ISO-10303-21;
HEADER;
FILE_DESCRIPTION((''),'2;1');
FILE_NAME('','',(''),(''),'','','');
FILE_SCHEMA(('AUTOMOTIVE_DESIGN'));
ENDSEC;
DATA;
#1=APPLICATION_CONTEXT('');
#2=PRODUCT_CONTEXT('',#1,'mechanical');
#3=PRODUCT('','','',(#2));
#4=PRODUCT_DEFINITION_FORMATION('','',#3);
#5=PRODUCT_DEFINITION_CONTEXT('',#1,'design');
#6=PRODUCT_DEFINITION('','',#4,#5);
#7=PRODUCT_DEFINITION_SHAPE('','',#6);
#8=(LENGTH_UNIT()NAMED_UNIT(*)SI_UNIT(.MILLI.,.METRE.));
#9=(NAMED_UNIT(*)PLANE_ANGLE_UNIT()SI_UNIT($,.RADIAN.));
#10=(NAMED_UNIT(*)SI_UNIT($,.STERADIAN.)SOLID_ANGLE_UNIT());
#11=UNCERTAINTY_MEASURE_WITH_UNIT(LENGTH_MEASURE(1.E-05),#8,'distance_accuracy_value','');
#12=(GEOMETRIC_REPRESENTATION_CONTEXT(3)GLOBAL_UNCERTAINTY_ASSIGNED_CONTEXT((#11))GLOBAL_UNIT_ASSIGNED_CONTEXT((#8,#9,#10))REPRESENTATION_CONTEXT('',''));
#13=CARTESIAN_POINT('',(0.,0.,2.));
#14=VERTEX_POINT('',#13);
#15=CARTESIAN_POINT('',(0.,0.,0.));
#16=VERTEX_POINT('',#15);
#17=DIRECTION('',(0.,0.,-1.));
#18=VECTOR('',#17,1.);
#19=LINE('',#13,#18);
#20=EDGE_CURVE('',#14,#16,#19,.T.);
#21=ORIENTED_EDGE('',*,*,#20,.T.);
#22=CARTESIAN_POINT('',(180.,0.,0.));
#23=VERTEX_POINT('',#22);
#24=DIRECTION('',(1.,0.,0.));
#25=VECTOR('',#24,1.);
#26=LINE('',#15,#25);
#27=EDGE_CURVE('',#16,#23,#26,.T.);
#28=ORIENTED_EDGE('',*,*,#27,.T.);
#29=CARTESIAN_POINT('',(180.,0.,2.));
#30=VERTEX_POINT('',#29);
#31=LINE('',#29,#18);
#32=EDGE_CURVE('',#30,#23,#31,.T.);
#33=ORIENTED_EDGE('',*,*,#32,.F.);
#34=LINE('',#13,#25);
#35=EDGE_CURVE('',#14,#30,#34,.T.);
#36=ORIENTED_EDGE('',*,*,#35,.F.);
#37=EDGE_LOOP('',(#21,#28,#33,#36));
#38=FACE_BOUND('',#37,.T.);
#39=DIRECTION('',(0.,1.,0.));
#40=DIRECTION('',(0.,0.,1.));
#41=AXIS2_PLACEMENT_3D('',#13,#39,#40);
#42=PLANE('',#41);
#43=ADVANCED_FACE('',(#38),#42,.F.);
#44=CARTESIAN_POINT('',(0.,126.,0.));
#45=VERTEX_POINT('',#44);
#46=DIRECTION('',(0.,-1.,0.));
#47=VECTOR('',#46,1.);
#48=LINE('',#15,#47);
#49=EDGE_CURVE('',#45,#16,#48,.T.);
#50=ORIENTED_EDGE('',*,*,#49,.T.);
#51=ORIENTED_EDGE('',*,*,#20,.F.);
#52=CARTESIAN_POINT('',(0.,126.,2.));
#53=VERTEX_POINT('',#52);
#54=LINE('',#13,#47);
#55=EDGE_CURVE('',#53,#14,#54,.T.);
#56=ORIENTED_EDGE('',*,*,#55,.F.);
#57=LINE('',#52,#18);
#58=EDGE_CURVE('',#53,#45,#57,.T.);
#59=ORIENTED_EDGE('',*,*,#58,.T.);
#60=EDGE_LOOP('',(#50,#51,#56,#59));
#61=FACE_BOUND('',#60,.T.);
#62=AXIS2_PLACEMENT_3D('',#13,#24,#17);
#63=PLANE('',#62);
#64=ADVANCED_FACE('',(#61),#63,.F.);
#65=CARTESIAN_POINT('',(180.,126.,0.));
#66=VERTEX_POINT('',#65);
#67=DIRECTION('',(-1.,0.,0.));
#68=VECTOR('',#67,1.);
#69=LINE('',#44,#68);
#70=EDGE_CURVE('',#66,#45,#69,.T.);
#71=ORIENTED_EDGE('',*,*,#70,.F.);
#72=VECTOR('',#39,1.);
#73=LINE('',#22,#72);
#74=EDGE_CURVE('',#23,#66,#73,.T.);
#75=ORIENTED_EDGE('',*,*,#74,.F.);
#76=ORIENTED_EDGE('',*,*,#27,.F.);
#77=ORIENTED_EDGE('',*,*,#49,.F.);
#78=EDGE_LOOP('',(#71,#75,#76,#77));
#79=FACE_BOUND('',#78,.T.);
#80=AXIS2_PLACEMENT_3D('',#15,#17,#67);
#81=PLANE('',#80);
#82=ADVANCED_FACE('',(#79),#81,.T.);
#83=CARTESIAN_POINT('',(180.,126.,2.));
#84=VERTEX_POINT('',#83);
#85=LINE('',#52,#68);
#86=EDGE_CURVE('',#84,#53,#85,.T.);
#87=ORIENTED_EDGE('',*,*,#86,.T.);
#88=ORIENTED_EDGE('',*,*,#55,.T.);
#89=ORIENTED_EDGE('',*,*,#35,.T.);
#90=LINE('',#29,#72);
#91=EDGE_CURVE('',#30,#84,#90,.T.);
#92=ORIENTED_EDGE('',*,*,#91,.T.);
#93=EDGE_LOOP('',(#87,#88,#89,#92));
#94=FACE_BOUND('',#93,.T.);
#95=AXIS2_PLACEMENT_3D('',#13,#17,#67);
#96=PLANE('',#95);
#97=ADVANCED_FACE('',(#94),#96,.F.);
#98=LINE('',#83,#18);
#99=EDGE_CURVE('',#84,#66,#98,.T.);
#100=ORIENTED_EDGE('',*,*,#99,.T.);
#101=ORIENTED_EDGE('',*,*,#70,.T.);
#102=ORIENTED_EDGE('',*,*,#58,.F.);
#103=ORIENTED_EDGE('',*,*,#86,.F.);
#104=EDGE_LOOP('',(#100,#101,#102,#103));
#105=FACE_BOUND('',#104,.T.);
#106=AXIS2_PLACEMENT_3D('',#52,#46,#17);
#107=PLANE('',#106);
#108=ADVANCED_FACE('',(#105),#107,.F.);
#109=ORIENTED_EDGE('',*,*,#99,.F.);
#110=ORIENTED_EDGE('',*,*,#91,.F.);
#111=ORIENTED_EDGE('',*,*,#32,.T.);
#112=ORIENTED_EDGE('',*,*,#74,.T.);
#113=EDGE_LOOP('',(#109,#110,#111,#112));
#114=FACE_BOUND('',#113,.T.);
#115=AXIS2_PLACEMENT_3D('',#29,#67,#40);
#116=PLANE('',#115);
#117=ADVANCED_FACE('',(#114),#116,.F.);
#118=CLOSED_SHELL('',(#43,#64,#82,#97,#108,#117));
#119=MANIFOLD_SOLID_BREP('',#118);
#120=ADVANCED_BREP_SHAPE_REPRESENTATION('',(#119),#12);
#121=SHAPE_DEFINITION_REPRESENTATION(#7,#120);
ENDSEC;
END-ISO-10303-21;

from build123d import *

# Parameters (mm, degrees)
ESQUISSE1_W        = 180
ESQUISSE1_H        = 126
BOSS_EXTRU_1_DEPTH = 2


with BuildPart() as part:
    # Esquisse1 → Boss.-Extru.1 (new body)
    with BuildSketch(Plane.XY):
        with Locations((90, 63)):
            Rectangle(ESQUISSE1_W, ESQUISSE1_H)
    extrude(amount=BOSS_EXTRU_1_DEPTH)


solid = part.part
